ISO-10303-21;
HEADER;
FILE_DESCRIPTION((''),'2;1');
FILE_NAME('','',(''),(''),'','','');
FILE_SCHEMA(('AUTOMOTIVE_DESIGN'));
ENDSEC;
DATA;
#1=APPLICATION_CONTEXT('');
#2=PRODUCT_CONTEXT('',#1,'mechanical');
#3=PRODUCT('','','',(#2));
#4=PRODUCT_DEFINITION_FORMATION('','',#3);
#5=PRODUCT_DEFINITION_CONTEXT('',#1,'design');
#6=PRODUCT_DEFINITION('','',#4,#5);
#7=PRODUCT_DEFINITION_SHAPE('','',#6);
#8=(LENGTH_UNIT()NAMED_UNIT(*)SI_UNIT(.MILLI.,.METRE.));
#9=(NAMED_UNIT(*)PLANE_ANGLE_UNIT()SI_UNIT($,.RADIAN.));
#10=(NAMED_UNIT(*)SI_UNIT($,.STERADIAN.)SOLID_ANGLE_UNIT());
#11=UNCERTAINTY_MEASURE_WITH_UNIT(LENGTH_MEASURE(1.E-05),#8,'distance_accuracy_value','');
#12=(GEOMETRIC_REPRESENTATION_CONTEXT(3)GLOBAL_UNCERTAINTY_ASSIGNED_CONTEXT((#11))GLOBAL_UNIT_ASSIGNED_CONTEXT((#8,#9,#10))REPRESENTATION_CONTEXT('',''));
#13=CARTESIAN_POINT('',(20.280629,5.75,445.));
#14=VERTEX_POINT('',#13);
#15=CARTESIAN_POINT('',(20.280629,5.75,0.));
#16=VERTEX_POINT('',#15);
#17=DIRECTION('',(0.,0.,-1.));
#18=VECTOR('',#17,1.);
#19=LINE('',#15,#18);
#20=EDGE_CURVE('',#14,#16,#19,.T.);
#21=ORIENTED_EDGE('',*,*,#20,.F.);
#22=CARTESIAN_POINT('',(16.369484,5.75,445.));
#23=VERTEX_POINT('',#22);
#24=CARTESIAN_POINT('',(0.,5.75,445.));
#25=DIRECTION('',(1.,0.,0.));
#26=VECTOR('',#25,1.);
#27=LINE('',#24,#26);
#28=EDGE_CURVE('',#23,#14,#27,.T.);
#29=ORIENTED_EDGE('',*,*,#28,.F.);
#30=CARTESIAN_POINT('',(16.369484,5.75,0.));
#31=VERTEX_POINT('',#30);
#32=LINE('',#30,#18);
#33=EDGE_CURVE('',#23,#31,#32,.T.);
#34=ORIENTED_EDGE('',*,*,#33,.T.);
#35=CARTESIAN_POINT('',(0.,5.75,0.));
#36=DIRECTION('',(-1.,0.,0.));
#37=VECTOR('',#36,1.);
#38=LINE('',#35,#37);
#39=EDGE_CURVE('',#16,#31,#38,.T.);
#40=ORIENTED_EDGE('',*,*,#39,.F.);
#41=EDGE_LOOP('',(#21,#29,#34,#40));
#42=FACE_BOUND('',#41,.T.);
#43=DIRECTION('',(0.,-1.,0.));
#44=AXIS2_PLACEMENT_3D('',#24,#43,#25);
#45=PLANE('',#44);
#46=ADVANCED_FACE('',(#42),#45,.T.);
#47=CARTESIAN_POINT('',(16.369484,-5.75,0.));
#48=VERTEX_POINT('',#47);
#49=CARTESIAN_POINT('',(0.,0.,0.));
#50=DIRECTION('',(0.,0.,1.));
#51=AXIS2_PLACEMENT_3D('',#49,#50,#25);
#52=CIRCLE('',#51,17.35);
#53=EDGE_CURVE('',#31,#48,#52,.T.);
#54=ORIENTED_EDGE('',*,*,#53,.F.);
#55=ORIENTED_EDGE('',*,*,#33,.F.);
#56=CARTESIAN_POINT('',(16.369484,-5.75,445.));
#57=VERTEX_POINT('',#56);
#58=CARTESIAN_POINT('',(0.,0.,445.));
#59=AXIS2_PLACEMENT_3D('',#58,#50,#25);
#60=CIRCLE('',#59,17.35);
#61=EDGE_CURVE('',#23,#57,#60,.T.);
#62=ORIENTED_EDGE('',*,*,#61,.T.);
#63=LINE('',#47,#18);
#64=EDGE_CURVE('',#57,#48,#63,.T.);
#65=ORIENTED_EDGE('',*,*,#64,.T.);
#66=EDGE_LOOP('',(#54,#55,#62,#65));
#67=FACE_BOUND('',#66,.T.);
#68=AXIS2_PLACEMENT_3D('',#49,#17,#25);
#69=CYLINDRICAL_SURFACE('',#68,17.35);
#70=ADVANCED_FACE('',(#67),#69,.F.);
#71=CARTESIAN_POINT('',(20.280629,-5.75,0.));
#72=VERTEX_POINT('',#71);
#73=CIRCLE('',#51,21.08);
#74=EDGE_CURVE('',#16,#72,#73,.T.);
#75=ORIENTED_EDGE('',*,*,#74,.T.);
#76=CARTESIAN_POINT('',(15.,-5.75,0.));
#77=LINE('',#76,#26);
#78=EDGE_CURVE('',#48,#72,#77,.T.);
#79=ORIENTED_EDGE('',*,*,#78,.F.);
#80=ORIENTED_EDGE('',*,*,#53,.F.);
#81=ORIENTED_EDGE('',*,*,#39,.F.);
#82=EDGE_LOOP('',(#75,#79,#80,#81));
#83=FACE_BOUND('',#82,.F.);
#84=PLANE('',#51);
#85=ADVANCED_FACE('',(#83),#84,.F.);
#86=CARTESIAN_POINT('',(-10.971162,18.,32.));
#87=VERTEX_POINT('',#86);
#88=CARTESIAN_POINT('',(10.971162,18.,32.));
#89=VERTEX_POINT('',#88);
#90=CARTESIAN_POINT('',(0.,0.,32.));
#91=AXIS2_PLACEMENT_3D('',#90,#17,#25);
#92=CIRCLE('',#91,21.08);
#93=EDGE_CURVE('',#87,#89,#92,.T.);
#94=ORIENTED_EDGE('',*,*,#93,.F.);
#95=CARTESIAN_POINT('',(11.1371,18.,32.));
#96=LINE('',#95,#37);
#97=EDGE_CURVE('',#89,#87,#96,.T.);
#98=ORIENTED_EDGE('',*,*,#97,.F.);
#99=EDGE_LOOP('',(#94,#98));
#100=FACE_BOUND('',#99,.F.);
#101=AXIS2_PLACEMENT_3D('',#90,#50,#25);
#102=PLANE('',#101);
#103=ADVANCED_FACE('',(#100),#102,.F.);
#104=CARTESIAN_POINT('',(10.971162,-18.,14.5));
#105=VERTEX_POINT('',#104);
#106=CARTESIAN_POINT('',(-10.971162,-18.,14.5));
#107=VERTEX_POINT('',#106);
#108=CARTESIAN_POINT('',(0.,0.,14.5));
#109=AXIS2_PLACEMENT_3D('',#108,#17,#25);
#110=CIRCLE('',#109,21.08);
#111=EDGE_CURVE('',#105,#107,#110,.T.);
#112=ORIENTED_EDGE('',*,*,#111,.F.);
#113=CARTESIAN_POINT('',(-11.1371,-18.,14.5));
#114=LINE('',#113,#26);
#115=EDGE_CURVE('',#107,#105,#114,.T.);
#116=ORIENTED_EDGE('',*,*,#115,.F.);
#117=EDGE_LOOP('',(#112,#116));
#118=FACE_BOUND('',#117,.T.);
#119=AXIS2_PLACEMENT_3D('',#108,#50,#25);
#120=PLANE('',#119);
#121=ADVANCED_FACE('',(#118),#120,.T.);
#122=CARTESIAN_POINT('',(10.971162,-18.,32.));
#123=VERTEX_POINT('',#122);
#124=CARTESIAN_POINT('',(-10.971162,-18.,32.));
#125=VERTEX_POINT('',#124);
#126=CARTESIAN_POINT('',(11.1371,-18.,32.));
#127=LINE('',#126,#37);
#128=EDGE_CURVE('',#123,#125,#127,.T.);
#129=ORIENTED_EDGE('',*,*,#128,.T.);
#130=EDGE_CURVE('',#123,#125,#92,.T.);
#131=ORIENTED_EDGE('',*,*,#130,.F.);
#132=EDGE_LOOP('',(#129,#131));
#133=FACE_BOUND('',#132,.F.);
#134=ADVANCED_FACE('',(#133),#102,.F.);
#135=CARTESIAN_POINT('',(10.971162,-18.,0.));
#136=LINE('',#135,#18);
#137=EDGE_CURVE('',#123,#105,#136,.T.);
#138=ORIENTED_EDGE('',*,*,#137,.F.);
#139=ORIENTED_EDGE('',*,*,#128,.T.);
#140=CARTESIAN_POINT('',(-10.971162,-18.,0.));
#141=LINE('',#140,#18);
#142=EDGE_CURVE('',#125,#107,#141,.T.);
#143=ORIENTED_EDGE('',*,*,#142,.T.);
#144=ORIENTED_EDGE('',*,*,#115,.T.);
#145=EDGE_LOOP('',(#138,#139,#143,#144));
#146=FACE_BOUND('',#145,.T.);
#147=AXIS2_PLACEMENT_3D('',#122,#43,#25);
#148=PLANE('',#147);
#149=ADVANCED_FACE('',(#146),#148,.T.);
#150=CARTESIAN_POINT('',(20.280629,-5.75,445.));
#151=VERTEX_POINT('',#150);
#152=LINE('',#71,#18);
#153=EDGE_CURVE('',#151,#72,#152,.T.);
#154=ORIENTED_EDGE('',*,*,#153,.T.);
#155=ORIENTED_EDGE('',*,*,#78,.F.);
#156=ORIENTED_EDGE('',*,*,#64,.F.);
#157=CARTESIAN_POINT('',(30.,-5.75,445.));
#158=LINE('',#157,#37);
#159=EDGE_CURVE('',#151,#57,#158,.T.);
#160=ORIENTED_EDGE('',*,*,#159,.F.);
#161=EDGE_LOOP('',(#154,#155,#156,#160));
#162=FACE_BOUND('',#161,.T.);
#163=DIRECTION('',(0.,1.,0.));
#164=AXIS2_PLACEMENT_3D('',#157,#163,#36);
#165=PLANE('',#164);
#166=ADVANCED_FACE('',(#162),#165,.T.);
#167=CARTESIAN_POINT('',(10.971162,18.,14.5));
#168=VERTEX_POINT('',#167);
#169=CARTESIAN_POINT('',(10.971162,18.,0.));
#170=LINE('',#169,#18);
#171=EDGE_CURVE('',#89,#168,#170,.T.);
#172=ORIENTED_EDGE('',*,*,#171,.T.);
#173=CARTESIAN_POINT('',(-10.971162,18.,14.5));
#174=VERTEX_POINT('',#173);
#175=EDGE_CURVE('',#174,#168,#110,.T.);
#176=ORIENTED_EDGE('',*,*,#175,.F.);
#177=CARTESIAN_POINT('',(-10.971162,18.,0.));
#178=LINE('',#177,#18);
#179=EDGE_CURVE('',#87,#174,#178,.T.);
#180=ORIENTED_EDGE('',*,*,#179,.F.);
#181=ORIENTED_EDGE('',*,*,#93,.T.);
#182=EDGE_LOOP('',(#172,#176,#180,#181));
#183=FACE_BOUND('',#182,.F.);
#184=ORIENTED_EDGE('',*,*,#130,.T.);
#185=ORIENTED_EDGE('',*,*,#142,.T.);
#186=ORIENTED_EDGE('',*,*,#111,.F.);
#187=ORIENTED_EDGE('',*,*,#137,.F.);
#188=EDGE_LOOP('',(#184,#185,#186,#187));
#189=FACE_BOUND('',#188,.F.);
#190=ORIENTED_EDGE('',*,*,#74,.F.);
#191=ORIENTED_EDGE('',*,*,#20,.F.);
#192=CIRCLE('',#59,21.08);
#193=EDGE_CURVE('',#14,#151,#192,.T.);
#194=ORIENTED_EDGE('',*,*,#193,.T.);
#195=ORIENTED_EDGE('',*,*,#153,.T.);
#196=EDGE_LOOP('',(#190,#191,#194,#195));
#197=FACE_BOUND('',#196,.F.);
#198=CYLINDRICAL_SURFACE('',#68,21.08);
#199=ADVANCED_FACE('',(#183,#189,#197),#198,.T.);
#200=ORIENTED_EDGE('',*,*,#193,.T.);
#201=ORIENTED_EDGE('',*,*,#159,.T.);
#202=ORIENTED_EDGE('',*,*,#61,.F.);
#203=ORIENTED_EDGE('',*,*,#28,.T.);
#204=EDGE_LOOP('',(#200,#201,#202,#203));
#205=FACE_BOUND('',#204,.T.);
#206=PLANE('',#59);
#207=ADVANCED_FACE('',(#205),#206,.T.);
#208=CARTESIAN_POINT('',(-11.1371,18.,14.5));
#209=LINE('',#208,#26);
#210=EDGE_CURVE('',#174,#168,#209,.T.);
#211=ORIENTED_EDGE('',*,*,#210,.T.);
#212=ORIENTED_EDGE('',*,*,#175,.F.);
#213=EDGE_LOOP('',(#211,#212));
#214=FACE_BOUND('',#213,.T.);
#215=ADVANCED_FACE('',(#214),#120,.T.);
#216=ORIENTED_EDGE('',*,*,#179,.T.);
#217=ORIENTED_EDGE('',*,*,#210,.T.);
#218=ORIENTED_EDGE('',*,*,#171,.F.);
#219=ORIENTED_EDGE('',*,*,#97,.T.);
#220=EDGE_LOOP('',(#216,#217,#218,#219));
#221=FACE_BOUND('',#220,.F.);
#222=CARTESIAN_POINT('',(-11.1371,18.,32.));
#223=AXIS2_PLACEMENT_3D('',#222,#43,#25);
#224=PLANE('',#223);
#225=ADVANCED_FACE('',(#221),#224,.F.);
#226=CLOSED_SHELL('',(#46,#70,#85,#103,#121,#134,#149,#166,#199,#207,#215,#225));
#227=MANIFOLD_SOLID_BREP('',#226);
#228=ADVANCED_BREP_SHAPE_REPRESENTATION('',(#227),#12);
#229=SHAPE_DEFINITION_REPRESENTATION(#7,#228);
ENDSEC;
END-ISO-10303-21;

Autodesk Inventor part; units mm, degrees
ref_plane "YZ Plane" through (0, 0, 0) normal (1, 0, 0) x (0, 1, 0)
ref_plane "XZ Plane" through (0, 0, 0) normal (0, 1, 0) x (-1, 0, 0)
sketch "Sketch1" plane through (0, 0, 0) normal (0, 0, 1) x (1, 0, 0)
  circle A0 centre (0, 0) radius 21.08
  circle A1 centre (0, 0) radius 17.35
  dimension "d0" = 42.16
  dimension "d1" = 3.73
extrude "Extrusion1" add sketch "Sketch1" along normal blind 445
ref_plane "Work Plane1" through (0, 0, 32) normal (0, 0, 1) x (1, 0, 0)
sketch "Sketch6" plane through (0, 0, 32) normal (0, 0, 1) x (1, 0, 0)
  line L0 (11.1371, -22.214) -> (-11.1371, -22.214)
  line L1 (-11.1371, -22.214) -> (-11.1371, -18)
  line L2 (-11.1371, -18) -> (11.1371, -18)
  line L3 (11.1371, -18) -> (11.1371, -22.214)
  line L4 (0, -22.214) -> (0, -18) construction
  line L5 (0, 0) -> (0, -21.08) construction
  circle A0 centre (0, 0) radius 21.08 projected
  line L6 (0, 0) -> (6.3886, 0) construction
  line L7 (11.1371, 22.214) -> (-11.1371, 22.214)
  line L8 (-11.1371, 22.214) -> (-11.1371, 18)
  line L9 (-11.1371, 18) -> (11.1371, 18)
  line L10 (11.1371, 18) -> (11.1371, 22.214)
  line L11 (0, 22.214) -> (0, 18) construction
  point P0 (20.2483, 5.8629)
  point P1 (21.08, 0)
  point P2 (0, 21.08)
  dimension "d10" = 18
extrude "Extrusion4" cut sketch "Sketch6" against normal blind 17.5 contours L0 L1 L2 A0 L3 | A0 L2 | L9 L8 L7 L10 A0 | A0 L9
sketch "Sketch7" plane through (0, 0, 445) normal (0, 0, 1) x (1, 0, 0)
  line L0 (30, -5.75) -> (0, -5.75)
  line L1 (0, -5.75) -> (0, 5.75)
  line L2 (0, 5.75) -> (30, 5.75)
  line L3 (30, 5.75) -> (30, -5.75)
  point P0 (0, 0)
  point P1 (0, 0)
  dimension "d13" = 30
  dimension "d14" = 11.5
extrude "Extrusion5" cut sketch "Sketch7" against normal up to next
properties part number "outer_sheath" material "Acetal Resin, White"
